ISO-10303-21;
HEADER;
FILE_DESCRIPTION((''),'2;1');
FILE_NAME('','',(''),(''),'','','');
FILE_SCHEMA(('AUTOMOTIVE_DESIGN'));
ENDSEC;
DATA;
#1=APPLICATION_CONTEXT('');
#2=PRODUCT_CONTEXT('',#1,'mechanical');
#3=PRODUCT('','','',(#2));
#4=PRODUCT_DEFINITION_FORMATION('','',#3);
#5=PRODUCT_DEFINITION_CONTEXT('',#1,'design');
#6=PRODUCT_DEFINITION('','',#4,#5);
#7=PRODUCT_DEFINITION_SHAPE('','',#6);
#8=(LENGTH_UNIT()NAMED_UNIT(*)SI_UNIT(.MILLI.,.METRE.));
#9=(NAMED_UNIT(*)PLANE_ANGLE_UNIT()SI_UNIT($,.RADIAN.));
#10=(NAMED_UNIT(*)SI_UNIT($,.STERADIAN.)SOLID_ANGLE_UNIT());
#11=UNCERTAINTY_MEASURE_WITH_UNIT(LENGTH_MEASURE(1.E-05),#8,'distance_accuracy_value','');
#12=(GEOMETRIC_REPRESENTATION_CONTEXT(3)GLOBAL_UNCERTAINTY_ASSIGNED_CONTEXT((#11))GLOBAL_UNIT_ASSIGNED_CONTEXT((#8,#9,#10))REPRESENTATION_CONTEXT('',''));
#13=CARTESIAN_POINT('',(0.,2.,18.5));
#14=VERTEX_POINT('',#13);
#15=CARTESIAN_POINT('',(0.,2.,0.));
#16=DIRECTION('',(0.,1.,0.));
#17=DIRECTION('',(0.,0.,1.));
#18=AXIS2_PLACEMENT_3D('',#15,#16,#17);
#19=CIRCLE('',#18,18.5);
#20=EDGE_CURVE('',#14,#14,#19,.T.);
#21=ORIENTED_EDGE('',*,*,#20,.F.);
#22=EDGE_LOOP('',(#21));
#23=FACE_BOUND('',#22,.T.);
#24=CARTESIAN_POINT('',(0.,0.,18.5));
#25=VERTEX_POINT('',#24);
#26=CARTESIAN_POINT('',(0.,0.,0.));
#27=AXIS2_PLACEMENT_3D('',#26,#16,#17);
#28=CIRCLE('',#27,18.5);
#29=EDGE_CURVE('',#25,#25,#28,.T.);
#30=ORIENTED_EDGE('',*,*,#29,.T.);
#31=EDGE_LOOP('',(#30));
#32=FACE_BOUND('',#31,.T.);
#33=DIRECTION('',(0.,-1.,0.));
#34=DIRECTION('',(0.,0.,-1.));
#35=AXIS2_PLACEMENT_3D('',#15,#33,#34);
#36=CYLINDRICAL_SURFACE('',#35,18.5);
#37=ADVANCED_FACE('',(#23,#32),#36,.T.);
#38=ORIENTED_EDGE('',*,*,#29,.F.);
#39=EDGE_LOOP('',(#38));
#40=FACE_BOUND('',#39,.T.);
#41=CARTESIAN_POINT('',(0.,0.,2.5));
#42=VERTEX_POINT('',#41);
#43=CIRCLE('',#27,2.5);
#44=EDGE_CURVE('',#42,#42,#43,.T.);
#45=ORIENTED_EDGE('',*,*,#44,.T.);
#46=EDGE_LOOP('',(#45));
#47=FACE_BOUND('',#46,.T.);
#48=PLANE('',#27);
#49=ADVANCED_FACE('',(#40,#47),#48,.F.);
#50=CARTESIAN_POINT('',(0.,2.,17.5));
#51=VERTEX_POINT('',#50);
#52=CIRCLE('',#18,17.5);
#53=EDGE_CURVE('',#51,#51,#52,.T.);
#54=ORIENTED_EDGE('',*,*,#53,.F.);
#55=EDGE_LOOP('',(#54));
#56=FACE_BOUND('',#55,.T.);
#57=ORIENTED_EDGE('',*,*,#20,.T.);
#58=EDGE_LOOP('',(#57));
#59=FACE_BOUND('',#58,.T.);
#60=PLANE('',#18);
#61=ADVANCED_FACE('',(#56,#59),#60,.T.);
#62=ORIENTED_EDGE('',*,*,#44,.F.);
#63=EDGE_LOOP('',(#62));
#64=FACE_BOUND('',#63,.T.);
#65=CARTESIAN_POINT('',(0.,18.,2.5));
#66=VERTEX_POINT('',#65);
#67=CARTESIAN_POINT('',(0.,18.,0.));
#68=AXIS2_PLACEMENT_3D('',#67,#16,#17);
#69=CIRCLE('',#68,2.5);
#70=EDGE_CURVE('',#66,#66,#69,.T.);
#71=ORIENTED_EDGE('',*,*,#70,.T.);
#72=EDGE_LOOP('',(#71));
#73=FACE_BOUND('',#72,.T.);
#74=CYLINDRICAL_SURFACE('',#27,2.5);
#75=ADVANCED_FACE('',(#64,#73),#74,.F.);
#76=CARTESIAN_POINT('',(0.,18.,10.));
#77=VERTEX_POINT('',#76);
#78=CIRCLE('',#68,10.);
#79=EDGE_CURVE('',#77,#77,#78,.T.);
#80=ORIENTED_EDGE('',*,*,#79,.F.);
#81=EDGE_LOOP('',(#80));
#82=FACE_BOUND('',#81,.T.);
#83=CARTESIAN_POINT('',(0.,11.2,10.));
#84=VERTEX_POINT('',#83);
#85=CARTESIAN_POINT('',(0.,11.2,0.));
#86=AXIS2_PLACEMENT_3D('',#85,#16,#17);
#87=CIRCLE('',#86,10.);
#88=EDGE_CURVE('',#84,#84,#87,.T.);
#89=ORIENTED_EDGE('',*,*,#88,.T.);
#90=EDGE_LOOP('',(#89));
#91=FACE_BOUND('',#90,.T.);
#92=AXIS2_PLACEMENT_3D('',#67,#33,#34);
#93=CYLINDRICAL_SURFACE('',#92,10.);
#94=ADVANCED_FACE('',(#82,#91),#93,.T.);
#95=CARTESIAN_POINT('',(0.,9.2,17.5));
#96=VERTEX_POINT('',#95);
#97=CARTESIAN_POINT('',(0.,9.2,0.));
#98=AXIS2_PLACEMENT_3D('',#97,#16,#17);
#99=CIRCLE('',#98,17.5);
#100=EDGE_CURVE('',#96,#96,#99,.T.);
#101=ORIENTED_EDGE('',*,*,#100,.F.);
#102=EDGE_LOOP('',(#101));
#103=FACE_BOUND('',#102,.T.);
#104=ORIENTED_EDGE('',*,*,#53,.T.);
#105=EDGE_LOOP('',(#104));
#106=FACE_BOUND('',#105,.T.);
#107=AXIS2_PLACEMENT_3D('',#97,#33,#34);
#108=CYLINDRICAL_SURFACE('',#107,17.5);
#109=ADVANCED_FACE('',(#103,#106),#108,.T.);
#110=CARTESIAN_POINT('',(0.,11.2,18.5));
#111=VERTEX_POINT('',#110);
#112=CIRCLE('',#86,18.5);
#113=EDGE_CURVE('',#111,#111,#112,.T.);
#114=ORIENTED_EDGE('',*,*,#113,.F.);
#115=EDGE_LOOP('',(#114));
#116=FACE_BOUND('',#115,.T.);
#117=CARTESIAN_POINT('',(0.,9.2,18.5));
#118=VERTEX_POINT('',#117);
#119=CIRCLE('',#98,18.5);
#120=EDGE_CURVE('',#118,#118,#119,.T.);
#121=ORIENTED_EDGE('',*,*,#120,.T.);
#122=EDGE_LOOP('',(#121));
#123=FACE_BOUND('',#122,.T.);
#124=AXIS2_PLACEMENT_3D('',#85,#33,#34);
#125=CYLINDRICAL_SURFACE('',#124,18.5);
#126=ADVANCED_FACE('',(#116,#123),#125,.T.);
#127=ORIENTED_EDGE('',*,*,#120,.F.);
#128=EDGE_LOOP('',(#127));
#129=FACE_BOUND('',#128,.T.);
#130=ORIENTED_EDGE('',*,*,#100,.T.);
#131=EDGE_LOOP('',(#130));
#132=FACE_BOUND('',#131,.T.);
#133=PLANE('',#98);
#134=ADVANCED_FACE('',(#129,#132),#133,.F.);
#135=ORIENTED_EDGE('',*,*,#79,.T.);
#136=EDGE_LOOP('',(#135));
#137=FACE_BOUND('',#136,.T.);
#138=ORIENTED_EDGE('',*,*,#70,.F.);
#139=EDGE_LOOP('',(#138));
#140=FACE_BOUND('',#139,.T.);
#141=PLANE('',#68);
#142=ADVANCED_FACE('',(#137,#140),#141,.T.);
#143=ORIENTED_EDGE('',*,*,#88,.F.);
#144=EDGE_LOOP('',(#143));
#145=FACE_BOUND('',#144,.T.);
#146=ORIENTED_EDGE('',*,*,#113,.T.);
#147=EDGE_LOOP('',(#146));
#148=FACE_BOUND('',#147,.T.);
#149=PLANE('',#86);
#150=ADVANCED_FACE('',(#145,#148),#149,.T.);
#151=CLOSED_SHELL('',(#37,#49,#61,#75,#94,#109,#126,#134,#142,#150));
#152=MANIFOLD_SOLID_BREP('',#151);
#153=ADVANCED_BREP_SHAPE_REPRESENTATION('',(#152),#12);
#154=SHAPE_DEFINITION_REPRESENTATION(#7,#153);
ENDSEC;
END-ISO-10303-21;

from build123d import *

# Parameters (mm, degrees)
SKIZZE1_R                       = 18.5
AUFSATZ_LINEAR_AUSTRAGEN1_DEPTH = 2
SKIZZE2_R                       = 17.5
AUFSATZ_LINEAR_AUSTRAGEN2_DEPTH = 7.2
SKIZZE3_R                       = 18.5
AUFSATZ_LINEAR_AUSTRAGEN3_DEPTH = 2
SKIZZE4_R                       = 10
AUFSATZ_LINEAR_AUSTRAGEN4_DEPTH = 6.8
SKIZZE5_R                       = 2.5
SCHNITT_LINEAR_AUSTRAGEN1_DEPTH = 32.756889016


with BuildPart() as part:
    # Skizze1 → Aufsatz-Linear austragen1 (new body)
    with BuildSketch(Plane(origin=(0, 0, 0), x_dir=(1, 0, 0), z_dir=(0, 1, 0))):
        with Locations(Location((0, 0, 0), (0, 0, 270))):
            Circle(SKIZZE1_R)
    extrude(amount=AUFSATZ_LINEAR_AUSTRAGEN1_DEPTH)

    # Skizze2 → Aufsatz-Linear austragen2 (add)
    with BuildSketch(Plane(origin=(0, 2, 0), x_dir=(1, 0, 0), z_dir=(0, 1, 0))):
        with Locations(Location((0, 0, 0), (0, 0, 270))):
            Circle(SKIZZE2_R)
    extrude(amount=AUFSATZ_LINEAR_AUSTRAGEN2_DEPTH)

    # Skizze3 → Aufsatz-Linear austragen3 (add)
    with BuildSketch(Plane(origin=(0, 9.2, 0), x_dir=(1, 0, 0), z_dir=(0, 1, 0))):
        with Locations(Location((0, 0, 0), (0, 0, 270))):
            Circle(SKIZZE3_R)
    extrude(amount=AUFSATZ_LINEAR_AUSTRAGEN3_DEPTH)

    # Skizze4 → Aufsatz-Linear austragen4 (add)
    with BuildSketch(Plane(origin=(0, 11.2, 0), x_dir=(1, 0, 0), z_dir=(0, 1, 0))):
        with Locations(Location((0, 0, 0), (0, 0, 270))):
            Circle(SKIZZE4_R)
    extrude(amount=AUFSATZ_LINEAR_AUSTRAGEN4_DEPTH)

    # Skizze5 → Schnitt-Linear austragen1 (cut, through all)
    with BuildSketch(Plane(origin=(0, 18, 0), x_dir=(1, 0, 0), z_dir=(0, 1, 0))):
        with Locations(Location((0, 0, 0), (0, 0, 270))):
            Circle(SKIZZE5_R)
    extrude(amount=-SCHNITT_LINEAR_AUSTRAGEN1_DEPTH, mode=Mode.SUBTRACT)


solid = part.part
